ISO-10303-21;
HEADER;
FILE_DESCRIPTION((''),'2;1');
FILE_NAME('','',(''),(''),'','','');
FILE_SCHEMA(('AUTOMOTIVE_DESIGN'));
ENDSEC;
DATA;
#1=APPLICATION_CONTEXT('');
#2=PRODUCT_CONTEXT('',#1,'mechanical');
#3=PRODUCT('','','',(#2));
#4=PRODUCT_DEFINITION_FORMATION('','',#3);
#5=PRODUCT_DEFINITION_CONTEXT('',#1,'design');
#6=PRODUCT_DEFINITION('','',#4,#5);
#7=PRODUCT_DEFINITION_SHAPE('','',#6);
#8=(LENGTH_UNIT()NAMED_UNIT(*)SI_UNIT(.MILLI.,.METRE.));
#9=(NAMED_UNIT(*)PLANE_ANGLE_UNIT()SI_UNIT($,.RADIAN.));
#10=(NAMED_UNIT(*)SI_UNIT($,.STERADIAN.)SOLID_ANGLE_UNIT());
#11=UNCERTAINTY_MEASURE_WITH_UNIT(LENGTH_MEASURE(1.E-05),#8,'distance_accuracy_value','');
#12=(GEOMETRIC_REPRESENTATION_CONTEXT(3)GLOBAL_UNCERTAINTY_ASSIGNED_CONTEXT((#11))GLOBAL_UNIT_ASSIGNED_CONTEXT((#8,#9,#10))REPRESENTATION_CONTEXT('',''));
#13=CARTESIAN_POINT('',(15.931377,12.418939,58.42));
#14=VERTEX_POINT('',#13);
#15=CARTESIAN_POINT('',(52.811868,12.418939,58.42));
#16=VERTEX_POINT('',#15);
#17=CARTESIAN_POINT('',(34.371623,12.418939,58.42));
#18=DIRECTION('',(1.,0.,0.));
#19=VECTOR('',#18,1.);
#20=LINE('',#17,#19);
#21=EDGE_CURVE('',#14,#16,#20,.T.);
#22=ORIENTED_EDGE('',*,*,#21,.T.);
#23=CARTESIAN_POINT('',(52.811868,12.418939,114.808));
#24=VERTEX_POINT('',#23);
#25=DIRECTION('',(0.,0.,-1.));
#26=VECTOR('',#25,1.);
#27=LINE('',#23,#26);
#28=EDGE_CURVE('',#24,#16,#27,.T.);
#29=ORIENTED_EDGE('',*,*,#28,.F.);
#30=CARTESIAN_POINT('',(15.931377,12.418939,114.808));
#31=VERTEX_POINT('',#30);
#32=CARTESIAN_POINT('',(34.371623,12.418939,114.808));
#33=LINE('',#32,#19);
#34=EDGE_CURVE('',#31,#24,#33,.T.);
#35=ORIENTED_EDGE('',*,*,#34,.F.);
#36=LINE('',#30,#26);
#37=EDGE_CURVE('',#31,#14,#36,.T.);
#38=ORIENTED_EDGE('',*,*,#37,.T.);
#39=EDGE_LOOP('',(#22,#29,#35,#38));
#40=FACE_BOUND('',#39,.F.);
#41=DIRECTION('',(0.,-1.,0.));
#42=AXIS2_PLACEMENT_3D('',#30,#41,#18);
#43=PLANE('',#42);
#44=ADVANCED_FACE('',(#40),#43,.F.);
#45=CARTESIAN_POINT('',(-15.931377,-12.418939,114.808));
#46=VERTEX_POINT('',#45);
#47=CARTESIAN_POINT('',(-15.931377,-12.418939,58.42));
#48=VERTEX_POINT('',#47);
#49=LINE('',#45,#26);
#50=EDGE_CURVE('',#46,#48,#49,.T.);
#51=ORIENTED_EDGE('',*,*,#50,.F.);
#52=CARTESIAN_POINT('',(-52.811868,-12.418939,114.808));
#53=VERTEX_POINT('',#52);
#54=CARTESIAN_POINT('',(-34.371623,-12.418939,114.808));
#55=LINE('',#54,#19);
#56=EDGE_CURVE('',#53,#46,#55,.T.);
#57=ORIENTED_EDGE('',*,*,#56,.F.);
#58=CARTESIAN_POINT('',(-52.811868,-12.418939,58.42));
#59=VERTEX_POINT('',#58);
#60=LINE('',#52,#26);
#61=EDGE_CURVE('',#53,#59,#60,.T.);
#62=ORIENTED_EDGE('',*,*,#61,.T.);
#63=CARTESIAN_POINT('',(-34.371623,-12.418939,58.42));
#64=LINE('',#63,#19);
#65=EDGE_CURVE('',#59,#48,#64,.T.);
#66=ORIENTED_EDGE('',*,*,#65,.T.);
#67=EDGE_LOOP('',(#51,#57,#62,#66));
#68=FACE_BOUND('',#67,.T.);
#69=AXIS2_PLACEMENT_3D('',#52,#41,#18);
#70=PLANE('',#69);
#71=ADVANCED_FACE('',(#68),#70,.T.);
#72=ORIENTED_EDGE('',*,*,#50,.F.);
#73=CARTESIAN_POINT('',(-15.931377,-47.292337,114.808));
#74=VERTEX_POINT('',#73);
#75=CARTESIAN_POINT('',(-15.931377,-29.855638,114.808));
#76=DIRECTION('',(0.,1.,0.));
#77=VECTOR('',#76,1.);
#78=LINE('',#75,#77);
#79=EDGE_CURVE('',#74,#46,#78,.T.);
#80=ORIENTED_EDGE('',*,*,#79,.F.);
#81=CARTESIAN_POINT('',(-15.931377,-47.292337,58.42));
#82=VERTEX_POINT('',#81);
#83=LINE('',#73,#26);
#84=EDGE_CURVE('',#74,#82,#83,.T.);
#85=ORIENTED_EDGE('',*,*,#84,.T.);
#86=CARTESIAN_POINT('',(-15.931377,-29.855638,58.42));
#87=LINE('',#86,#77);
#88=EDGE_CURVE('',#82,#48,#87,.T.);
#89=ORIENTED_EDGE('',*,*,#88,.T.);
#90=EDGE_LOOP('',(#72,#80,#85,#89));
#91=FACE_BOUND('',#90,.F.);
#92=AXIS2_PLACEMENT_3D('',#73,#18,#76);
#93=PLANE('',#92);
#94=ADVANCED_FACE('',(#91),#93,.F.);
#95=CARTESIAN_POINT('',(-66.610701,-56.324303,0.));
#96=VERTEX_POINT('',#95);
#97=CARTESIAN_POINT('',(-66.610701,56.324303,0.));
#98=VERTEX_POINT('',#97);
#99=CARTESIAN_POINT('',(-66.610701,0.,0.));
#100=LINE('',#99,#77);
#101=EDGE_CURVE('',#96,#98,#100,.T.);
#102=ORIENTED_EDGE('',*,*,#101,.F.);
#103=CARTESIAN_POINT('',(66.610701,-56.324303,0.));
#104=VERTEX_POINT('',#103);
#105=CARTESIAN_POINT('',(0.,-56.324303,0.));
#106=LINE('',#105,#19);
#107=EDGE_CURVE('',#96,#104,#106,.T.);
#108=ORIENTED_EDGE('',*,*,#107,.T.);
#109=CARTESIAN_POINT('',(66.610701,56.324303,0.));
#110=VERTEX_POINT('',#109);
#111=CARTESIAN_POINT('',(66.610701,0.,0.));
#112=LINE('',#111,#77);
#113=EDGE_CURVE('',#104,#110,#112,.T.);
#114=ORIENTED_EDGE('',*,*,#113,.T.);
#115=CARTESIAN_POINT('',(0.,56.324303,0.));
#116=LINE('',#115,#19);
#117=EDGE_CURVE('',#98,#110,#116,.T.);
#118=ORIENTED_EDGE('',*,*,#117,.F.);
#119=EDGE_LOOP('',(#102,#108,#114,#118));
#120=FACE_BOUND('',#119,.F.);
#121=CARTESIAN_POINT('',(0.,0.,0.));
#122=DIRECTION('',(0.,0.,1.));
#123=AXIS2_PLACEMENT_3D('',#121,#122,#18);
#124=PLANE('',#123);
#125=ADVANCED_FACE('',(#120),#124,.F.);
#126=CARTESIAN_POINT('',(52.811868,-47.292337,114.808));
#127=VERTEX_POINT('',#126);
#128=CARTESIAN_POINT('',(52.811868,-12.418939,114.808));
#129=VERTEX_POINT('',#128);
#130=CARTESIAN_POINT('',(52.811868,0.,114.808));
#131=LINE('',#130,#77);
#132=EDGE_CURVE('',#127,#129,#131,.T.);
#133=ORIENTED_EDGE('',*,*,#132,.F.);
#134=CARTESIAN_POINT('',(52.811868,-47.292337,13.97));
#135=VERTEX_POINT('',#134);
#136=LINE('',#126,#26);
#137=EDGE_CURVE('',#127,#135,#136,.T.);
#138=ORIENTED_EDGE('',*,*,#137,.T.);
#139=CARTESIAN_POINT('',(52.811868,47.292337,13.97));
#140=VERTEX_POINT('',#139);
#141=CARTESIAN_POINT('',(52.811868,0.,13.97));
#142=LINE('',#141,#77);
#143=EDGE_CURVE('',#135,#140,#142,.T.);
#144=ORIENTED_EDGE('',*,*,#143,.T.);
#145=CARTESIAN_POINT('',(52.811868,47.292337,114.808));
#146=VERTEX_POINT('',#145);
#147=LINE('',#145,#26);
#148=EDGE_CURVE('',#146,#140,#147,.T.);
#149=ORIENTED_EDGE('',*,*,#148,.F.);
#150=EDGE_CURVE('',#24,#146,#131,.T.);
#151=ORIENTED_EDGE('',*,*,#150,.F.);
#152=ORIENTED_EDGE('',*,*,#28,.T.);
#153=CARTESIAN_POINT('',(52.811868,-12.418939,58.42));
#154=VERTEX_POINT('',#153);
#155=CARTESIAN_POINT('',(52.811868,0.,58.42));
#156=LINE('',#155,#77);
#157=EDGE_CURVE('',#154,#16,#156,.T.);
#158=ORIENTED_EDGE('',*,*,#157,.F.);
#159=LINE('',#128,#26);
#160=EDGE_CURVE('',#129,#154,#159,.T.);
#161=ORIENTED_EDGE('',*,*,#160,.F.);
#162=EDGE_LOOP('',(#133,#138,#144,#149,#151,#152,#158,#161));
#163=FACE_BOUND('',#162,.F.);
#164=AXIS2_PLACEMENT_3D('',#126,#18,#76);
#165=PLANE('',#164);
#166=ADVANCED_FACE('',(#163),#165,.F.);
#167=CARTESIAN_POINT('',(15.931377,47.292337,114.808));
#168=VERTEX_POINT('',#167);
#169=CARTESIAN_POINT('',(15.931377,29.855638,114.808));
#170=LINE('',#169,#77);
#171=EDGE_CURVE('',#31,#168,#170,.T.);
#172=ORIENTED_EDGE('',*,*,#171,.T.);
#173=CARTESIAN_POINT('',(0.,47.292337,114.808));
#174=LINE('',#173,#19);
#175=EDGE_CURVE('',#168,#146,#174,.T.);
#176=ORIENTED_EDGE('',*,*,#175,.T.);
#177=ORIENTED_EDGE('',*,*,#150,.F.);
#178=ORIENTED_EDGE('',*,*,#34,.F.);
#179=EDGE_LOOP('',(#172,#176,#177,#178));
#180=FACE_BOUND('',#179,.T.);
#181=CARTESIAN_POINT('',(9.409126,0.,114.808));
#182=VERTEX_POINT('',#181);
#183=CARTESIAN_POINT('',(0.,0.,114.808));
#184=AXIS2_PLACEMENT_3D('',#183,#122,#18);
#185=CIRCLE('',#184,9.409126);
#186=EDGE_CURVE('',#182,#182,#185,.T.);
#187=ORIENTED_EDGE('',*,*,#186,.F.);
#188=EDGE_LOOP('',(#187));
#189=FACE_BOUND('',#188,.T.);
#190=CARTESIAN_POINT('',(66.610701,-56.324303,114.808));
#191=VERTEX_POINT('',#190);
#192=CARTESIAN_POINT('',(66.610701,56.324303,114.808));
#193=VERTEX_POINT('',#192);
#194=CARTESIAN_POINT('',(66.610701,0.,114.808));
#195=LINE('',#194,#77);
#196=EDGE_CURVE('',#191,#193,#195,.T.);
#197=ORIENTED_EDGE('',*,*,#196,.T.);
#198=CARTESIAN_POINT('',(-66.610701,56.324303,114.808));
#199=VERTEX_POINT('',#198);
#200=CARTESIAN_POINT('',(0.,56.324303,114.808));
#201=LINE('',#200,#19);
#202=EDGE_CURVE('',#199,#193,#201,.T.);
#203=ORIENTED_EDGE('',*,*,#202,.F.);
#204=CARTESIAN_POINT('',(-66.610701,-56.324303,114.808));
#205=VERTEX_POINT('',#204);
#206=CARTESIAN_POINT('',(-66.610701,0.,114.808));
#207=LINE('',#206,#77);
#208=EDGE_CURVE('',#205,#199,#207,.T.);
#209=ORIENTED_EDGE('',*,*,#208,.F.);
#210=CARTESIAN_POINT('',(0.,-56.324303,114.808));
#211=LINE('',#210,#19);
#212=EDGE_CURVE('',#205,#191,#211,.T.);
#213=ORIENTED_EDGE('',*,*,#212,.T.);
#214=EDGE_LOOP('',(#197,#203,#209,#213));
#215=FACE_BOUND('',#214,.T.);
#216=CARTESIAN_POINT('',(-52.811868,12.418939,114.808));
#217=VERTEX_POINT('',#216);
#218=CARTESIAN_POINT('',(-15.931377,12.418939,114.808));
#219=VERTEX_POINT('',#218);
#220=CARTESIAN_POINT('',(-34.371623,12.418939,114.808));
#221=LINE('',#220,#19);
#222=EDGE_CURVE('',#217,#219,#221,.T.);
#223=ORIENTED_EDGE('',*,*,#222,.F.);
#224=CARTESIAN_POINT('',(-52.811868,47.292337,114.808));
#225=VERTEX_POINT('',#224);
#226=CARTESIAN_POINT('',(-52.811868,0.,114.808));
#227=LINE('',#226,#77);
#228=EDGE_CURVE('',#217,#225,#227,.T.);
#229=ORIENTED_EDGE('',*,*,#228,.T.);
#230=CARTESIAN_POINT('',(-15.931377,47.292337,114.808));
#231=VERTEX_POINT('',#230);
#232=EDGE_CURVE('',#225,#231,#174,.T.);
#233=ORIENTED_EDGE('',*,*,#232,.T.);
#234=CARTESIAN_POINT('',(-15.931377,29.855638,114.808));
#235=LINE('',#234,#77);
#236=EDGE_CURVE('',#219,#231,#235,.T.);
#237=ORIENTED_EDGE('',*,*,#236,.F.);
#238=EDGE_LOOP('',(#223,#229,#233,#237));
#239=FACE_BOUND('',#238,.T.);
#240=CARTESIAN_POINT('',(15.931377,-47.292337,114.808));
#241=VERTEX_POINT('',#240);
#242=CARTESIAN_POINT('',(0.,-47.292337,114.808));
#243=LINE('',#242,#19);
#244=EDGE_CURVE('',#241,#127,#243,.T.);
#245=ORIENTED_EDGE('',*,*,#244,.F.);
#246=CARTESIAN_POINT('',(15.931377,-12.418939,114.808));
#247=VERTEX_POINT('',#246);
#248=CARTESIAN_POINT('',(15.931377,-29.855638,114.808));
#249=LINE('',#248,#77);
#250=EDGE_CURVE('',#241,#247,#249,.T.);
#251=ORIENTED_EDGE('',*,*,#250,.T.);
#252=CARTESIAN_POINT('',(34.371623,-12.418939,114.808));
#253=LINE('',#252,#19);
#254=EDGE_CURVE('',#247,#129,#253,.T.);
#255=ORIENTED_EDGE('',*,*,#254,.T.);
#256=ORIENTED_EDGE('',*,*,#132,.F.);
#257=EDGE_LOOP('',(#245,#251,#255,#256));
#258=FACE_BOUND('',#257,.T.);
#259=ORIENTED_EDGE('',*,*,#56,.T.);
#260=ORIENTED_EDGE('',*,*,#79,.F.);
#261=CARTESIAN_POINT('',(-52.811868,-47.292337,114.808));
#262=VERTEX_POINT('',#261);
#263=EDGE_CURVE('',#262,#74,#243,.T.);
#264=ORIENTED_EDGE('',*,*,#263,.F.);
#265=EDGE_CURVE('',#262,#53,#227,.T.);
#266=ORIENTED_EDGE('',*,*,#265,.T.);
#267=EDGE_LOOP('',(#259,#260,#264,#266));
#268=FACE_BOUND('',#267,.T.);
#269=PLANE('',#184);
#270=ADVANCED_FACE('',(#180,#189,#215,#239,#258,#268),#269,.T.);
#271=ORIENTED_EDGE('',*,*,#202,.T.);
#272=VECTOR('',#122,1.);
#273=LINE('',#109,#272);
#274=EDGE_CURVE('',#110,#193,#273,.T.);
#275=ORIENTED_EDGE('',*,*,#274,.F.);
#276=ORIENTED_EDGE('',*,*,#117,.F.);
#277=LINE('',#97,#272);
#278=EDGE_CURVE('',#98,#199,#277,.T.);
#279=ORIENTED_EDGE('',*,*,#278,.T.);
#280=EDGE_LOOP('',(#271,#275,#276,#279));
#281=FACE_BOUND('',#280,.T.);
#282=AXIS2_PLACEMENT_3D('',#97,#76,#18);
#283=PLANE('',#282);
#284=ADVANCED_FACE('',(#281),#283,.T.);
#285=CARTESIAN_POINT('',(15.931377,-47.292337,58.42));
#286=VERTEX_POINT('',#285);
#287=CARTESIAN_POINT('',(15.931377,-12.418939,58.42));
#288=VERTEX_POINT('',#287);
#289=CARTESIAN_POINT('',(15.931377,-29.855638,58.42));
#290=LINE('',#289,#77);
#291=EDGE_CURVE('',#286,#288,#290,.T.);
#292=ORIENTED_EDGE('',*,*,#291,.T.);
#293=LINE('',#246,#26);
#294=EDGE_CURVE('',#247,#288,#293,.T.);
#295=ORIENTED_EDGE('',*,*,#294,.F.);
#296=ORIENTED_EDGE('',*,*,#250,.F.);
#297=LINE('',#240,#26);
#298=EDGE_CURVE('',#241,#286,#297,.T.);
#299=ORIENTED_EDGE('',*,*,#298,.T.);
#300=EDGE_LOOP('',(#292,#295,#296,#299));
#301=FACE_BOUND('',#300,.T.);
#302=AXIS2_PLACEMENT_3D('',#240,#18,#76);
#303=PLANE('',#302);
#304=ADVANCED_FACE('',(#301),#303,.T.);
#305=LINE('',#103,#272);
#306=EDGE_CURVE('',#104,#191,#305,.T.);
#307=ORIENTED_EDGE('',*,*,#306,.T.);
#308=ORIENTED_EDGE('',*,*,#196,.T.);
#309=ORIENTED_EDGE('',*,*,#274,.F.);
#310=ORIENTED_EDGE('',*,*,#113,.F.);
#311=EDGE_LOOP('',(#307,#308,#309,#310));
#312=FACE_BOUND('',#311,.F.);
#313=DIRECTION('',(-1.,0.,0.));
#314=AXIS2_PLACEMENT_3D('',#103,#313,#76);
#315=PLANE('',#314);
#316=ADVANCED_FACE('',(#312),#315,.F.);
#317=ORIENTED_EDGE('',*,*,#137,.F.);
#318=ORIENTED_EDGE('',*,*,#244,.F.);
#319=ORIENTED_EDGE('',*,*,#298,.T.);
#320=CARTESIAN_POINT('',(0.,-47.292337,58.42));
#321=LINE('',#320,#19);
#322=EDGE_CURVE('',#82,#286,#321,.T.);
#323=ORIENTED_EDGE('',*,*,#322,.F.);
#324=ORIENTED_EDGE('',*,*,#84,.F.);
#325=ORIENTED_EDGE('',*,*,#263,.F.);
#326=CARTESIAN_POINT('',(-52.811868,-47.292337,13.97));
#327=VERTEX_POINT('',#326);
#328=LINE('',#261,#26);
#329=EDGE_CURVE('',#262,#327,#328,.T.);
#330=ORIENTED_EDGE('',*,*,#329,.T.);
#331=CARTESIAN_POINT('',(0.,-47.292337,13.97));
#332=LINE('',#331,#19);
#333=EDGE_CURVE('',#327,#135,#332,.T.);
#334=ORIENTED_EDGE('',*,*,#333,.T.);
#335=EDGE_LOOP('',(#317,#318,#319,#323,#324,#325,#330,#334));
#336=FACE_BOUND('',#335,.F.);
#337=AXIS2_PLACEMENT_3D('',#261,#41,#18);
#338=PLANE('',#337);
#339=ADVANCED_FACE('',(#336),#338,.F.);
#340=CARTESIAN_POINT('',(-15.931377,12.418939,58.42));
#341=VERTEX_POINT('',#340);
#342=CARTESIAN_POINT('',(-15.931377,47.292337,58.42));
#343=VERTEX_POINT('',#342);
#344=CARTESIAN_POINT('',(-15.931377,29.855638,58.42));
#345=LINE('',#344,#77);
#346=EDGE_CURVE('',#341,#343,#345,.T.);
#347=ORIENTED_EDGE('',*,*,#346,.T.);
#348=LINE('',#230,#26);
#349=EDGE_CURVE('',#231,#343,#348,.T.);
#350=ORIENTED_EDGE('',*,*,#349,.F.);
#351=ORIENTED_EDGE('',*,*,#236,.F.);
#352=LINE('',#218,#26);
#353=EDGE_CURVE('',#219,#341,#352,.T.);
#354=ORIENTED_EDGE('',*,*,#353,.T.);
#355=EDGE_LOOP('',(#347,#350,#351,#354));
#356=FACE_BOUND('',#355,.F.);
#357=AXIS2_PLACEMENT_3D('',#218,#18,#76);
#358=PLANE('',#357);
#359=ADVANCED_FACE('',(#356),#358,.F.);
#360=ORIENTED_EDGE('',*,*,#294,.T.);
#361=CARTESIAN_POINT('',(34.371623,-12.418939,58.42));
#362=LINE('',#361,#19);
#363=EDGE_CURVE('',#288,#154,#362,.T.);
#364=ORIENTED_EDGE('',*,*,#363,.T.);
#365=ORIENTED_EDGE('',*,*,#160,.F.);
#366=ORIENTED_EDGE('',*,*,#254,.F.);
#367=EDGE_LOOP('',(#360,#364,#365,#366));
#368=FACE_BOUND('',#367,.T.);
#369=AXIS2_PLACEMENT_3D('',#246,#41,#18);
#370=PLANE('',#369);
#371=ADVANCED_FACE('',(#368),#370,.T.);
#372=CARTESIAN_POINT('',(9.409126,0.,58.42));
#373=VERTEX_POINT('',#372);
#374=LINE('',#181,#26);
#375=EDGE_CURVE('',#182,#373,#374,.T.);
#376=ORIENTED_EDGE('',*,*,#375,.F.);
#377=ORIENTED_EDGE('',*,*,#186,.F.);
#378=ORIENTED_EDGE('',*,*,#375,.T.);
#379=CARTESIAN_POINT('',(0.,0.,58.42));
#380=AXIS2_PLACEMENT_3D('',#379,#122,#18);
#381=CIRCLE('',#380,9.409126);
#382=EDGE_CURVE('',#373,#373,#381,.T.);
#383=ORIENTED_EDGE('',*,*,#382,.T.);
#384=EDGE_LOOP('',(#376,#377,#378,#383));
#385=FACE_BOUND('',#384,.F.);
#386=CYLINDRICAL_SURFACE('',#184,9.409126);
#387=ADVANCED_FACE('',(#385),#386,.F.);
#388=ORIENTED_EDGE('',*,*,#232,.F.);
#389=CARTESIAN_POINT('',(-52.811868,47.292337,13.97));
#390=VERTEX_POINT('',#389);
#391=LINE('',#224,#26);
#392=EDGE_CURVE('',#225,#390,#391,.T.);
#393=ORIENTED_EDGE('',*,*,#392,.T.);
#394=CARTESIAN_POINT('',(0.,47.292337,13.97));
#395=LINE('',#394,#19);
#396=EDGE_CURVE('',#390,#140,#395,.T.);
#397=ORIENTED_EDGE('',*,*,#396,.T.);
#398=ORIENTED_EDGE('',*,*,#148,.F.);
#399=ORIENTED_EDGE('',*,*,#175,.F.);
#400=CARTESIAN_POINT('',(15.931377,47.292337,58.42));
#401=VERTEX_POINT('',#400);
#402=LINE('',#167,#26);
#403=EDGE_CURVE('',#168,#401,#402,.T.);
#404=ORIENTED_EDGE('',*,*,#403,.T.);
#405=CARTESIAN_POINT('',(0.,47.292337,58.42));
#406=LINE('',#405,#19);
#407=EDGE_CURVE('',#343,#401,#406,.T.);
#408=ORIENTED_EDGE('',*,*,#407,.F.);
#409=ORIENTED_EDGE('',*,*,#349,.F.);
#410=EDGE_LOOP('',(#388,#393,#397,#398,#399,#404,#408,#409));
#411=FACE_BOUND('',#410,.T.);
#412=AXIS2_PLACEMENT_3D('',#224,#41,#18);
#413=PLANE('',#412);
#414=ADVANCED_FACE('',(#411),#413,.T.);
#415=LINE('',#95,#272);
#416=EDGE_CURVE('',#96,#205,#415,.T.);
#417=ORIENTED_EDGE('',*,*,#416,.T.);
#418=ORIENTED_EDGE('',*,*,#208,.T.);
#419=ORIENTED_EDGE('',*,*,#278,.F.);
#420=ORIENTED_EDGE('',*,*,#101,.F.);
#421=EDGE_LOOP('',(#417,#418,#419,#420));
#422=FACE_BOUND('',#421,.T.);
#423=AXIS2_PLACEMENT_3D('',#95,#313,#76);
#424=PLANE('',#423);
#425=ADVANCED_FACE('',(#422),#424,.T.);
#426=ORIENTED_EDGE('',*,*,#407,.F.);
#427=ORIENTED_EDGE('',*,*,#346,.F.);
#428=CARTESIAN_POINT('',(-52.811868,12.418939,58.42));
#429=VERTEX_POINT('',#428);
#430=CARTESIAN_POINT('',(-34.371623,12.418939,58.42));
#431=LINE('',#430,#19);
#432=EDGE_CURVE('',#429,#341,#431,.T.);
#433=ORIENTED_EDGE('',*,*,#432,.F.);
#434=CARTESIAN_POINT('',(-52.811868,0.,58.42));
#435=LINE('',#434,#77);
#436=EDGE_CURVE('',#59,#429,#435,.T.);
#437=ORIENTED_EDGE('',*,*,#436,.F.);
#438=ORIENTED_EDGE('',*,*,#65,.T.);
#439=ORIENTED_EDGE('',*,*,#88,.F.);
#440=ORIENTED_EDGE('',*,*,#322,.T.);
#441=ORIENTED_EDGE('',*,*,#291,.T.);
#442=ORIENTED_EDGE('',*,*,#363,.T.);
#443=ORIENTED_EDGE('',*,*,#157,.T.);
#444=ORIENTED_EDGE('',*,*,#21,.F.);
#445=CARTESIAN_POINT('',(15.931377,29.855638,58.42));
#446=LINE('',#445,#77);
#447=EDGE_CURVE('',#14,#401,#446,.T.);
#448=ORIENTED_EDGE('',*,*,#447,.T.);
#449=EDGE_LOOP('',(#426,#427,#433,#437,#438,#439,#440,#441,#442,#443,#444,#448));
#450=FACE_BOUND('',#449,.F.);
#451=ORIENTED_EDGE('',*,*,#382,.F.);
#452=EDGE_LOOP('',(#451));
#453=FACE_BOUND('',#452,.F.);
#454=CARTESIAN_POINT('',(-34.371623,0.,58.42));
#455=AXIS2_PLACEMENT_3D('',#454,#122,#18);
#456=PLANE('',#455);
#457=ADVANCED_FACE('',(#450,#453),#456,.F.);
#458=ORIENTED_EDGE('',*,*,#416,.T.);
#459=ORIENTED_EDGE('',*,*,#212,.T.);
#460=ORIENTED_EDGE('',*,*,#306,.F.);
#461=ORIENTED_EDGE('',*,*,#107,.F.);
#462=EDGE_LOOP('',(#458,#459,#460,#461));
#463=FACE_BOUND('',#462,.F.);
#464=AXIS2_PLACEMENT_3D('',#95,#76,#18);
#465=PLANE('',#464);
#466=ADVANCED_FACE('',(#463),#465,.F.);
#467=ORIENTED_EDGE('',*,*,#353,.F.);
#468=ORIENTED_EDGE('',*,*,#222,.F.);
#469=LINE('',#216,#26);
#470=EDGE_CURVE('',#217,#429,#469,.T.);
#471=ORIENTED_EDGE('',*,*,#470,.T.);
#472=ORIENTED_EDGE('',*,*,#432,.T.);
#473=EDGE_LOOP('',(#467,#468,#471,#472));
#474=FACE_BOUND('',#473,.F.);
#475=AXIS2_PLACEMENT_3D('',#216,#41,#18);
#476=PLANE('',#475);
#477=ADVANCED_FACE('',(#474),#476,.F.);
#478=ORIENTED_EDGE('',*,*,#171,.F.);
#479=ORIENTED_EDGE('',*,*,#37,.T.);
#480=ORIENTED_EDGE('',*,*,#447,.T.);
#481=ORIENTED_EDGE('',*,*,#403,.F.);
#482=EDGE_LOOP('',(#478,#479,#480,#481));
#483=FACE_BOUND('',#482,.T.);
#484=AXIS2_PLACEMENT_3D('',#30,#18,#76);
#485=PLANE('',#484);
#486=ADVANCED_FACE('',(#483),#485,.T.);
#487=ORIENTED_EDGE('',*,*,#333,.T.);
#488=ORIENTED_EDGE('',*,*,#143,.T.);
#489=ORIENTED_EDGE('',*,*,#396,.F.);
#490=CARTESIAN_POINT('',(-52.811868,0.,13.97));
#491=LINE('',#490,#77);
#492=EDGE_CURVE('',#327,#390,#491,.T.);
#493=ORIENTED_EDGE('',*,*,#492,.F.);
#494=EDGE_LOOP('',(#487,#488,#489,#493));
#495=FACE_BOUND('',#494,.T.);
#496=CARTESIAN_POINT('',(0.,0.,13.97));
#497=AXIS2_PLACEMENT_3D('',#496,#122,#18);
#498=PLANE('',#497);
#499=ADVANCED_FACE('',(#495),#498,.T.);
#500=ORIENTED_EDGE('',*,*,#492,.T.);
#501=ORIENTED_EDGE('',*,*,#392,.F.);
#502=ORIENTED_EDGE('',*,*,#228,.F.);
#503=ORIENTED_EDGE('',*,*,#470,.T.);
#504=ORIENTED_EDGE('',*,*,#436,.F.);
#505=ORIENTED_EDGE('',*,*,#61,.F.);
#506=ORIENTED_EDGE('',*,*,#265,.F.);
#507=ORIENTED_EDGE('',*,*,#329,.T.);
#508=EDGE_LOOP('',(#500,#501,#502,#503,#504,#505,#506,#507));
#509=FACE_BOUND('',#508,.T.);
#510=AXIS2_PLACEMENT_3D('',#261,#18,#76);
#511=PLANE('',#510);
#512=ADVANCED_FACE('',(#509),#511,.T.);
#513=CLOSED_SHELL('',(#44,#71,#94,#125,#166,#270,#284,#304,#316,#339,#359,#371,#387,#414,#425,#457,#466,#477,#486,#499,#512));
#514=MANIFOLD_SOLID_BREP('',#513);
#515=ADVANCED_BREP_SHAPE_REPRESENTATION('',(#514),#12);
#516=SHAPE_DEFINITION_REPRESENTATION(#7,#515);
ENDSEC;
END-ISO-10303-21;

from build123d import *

# Parameters (mm, degrees)
F0_W     = 133.2214027643
F0_H     = 112.6486063004
F1_DEPTH = 114.808
F2_W     = 105.6237369776
F2_H     = 94.5846736431
F3_DEPTH = 100.838
F4_W     = 36.8804913014
F4_H     = 24.8378776014
F4_W_2   = 31.8627543747
F4_H_2   = 34.8733980209
F5_DEPTH = 56.388
F6_R     = 9.4091261345
F7_DEPTH = 94.742


with BuildPart() as f1:
    # F0 (on Top) → F1 (new body)
    with BuildSketch(Plane.XY):
        Rectangle(F0_W, F0_H)
    extrude(amount=F1_DEPTH)

    # F2 (on face) → F3 (cut)
    with BuildSketch(Plane.XY.offset(114.808)):
        Rectangle(F2_W, F2_H)
    extrude(amount=-F3_DEPTH, mode=Mode.SUBTRACT)

    # F4 (on face) → F5 (join)
    with BuildSketch(Plane.XY.offset(114.808)):
        with Locations((-34.3716228381, 0)):
            Rectangle(F4_W, F4_H)
        with Locations((34.3716228381, 0)):
            Rectangle(F4_W, F4_H)
        with Locations((0, 29.8556378111)):
            Rectangle(F4_W_2, F4_H_2)
        with Locations((0, -29.8556378111)):
            Rectangle(F4_W_2, F4_H_2)
        Rectangle(F4_W_2, F4_H)
    extrude(amount=-F5_DEPTH)

    # F6 (on face) → F7 (cut)
    with BuildSketch(Plane.XY.offset(114.808)):
        Circle(F6_R)
    extrude(amount=-F7_DEPTH, mode=Mode.SUBTRACT)


solid = f1.part
